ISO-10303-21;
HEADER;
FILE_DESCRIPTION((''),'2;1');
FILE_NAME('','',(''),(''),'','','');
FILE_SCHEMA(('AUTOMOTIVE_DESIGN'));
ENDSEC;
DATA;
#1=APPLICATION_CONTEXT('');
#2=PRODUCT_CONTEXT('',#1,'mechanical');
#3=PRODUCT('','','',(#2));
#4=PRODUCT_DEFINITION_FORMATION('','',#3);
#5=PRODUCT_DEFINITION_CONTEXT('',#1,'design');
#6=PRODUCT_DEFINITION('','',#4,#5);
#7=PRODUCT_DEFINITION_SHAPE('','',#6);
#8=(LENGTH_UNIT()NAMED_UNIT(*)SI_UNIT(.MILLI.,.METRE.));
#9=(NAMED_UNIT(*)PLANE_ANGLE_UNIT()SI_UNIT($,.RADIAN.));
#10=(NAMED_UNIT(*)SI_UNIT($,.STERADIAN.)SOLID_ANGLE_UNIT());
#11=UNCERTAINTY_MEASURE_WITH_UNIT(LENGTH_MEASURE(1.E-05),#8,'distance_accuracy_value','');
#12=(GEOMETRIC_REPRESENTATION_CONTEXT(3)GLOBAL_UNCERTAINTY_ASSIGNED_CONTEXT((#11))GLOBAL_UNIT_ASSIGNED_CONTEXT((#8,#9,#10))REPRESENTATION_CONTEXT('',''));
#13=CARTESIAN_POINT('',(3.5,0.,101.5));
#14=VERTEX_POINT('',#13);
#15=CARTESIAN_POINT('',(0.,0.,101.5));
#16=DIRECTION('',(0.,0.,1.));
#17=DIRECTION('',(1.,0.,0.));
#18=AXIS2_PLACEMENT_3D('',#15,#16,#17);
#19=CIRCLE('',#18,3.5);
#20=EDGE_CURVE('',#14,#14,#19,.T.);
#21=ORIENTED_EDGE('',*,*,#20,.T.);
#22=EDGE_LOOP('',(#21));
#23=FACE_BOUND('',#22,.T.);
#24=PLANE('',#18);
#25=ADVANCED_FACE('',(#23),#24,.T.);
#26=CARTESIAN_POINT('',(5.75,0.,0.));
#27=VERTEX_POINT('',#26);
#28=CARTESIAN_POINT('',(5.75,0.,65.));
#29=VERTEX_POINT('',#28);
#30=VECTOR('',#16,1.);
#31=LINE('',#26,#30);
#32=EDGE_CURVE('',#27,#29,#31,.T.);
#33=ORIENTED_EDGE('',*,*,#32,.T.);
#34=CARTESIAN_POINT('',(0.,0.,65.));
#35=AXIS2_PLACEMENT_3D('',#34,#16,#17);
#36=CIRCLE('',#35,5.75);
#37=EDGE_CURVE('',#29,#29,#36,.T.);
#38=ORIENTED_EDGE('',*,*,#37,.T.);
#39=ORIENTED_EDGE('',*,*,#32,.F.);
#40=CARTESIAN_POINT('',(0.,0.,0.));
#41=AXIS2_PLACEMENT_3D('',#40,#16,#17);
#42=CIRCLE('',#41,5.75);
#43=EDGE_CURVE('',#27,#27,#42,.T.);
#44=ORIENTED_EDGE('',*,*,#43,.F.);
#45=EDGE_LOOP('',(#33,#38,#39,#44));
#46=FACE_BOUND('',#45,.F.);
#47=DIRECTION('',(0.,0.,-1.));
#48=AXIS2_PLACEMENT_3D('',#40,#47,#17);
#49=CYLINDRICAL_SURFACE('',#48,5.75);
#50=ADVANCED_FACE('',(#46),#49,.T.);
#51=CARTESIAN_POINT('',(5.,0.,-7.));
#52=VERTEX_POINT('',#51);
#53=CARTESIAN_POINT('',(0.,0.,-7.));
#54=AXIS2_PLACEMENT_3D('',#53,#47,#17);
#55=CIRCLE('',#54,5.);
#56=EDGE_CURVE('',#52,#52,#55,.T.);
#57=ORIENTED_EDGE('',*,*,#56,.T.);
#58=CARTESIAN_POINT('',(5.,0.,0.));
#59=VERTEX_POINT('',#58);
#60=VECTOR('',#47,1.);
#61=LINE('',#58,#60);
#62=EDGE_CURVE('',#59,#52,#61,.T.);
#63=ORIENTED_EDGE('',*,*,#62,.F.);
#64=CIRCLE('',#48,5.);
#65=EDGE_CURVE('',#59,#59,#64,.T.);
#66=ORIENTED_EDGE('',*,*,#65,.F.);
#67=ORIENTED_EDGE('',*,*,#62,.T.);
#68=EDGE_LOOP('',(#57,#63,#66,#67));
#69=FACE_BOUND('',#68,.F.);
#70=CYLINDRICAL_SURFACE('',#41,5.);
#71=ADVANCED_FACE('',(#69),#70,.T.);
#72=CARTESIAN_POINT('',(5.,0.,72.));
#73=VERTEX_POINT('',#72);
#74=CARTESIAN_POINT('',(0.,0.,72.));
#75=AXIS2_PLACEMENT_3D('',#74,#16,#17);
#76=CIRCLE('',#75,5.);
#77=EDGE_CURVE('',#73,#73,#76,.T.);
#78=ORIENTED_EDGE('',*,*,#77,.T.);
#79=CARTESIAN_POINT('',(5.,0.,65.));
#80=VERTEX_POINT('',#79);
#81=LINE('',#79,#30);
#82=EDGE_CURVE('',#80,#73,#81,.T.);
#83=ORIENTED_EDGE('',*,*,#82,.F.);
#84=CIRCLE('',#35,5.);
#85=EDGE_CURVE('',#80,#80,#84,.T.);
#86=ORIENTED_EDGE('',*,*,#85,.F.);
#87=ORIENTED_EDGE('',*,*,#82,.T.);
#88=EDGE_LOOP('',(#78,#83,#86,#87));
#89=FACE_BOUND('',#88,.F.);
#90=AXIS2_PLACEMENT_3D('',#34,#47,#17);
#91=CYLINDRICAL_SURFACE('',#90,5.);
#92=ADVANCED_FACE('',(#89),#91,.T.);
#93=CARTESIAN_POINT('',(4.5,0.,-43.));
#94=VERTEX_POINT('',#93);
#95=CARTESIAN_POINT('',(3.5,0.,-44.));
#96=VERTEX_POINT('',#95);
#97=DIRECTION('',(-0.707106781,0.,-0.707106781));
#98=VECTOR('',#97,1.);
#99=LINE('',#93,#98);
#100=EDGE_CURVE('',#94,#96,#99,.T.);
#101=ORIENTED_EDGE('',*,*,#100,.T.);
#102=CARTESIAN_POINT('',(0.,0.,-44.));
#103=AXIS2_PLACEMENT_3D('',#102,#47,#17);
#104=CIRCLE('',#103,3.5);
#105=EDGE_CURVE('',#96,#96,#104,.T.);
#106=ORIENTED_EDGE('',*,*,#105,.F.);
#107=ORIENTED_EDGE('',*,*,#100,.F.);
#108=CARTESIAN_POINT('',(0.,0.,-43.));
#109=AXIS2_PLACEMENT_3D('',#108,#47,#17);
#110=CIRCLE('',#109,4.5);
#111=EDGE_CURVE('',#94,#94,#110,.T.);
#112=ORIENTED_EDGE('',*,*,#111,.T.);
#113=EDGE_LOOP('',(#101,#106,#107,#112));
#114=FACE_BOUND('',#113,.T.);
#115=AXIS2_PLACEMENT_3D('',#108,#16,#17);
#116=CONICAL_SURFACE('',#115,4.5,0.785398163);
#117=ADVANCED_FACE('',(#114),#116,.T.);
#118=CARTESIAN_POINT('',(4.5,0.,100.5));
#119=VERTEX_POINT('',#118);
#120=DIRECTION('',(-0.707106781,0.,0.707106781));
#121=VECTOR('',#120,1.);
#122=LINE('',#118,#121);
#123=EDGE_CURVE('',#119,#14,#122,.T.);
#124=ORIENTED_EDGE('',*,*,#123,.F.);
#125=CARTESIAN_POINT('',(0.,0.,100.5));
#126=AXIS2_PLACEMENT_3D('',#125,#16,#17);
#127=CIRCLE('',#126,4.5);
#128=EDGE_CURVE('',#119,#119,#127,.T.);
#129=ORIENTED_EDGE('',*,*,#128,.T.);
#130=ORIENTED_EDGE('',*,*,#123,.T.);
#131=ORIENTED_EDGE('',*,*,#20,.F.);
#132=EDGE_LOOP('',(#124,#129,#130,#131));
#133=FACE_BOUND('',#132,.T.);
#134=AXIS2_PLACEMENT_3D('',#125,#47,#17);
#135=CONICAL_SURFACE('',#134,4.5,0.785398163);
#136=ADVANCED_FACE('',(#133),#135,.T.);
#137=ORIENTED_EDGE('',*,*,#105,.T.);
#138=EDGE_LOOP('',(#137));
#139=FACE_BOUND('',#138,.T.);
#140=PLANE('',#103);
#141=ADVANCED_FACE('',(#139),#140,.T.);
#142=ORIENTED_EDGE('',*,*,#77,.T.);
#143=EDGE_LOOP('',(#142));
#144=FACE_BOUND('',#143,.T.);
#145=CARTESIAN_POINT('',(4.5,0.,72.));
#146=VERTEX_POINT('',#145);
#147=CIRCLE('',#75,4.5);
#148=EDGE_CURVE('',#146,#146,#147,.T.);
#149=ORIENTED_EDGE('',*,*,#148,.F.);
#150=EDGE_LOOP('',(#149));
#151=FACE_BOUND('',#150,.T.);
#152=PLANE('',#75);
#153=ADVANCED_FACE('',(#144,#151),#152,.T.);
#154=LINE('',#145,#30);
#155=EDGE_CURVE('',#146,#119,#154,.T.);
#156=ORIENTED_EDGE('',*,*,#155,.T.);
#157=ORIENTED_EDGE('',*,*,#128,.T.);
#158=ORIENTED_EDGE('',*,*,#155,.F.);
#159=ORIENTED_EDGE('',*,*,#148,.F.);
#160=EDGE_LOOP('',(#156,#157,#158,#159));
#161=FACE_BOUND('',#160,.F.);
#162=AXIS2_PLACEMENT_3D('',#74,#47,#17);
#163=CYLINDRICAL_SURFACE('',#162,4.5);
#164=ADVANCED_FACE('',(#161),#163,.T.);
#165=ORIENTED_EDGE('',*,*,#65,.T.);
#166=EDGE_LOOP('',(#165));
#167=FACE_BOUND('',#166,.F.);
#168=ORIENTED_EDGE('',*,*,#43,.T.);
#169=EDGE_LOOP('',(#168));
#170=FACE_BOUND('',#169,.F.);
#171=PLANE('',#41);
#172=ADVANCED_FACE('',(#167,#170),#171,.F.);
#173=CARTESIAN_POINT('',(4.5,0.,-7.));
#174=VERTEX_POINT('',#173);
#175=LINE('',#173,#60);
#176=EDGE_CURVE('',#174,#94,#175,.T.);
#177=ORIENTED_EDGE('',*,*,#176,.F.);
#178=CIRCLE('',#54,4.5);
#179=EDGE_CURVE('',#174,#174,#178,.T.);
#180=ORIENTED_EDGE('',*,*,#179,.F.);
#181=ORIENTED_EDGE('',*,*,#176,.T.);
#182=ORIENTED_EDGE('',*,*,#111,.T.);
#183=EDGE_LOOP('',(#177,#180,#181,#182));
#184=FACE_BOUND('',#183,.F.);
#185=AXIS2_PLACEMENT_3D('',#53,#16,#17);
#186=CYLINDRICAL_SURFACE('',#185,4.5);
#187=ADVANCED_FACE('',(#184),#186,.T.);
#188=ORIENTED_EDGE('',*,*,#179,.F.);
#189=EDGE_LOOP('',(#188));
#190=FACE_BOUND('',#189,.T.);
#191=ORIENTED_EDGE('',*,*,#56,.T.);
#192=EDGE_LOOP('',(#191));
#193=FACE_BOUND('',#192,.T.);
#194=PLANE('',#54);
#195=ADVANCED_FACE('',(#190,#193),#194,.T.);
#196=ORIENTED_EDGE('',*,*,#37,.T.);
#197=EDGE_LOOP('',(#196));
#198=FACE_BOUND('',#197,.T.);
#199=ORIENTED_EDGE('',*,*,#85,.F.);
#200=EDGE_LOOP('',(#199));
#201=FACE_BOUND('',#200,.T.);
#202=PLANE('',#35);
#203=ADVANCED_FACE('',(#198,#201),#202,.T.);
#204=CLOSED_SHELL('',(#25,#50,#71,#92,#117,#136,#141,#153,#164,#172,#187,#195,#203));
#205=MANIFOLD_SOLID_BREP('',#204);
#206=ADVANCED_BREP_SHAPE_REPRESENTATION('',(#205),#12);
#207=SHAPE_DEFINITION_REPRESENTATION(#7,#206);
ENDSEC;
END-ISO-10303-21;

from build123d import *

# Parameters (mm, degrees)
SKETCH_R     = 5.75
PAD_DEPTH    = 65
SKETCH001_R  = 5
PAD001_DEPTH = 7
SKETCH002_R  = 4.5
PAD002_DEPTH = 29.5
SKETCH003_R  = 5
PAD003_DEPTH = 7
SKETCH004_R  = 4.5
PAD004_DEPTH = 37
CHAMFER_SIZE = 1


with BuildPart() as part:
    # Sketch → Pad (new body)
    with BuildSketch(Plane.XY):
        Circle(SKETCH_R)
    extrude(amount=PAD_DEPTH)

    # Sketch001 (on Face3 of Pad) → Pad001 (join)
    with BuildSketch(Plane.XY.offset(65)):
        Circle(SKETCH001_R)
    extrude(amount=PAD001_DEPTH)

    # Sketch002 (on Face5 of Pad001) → Pad002 (join)
    with BuildSketch(Plane.XY.offset(72)):
        Circle(SKETCH002_R)
    extrude(amount=PAD002_DEPTH)

    # Sketch003 (on Face2 of Pad002) → Pad003 (join)
    with BuildSketch(Plane(origin=(0, 0, 0), x_dir=(1, 0, 0), z_dir=(0, 0, -1))):
        Circle(SKETCH003_R)
    extrude(amount=PAD003_DEPTH)

    # Sketch004 (on Face6 of Pad003) → Pad004 (join)
    with BuildSketch(Plane(origin=(0, 0, -7), x_dir=(1, 0, 0), z_dir=(0, 0, -1))):
        Circle(SKETCH004_R)
    extrude(amount=PAD004_DEPTH)

    # Chamfer
    chamfer_edges = [part.edges().sort_by_distance(p)[0] for p in [
        (-4.5, 0, -44),
        (-4.5, 0, 101.5),
    ]]
    chamfer(chamfer_edges, length=CHAMFER_SIZE)


solid = part.part
